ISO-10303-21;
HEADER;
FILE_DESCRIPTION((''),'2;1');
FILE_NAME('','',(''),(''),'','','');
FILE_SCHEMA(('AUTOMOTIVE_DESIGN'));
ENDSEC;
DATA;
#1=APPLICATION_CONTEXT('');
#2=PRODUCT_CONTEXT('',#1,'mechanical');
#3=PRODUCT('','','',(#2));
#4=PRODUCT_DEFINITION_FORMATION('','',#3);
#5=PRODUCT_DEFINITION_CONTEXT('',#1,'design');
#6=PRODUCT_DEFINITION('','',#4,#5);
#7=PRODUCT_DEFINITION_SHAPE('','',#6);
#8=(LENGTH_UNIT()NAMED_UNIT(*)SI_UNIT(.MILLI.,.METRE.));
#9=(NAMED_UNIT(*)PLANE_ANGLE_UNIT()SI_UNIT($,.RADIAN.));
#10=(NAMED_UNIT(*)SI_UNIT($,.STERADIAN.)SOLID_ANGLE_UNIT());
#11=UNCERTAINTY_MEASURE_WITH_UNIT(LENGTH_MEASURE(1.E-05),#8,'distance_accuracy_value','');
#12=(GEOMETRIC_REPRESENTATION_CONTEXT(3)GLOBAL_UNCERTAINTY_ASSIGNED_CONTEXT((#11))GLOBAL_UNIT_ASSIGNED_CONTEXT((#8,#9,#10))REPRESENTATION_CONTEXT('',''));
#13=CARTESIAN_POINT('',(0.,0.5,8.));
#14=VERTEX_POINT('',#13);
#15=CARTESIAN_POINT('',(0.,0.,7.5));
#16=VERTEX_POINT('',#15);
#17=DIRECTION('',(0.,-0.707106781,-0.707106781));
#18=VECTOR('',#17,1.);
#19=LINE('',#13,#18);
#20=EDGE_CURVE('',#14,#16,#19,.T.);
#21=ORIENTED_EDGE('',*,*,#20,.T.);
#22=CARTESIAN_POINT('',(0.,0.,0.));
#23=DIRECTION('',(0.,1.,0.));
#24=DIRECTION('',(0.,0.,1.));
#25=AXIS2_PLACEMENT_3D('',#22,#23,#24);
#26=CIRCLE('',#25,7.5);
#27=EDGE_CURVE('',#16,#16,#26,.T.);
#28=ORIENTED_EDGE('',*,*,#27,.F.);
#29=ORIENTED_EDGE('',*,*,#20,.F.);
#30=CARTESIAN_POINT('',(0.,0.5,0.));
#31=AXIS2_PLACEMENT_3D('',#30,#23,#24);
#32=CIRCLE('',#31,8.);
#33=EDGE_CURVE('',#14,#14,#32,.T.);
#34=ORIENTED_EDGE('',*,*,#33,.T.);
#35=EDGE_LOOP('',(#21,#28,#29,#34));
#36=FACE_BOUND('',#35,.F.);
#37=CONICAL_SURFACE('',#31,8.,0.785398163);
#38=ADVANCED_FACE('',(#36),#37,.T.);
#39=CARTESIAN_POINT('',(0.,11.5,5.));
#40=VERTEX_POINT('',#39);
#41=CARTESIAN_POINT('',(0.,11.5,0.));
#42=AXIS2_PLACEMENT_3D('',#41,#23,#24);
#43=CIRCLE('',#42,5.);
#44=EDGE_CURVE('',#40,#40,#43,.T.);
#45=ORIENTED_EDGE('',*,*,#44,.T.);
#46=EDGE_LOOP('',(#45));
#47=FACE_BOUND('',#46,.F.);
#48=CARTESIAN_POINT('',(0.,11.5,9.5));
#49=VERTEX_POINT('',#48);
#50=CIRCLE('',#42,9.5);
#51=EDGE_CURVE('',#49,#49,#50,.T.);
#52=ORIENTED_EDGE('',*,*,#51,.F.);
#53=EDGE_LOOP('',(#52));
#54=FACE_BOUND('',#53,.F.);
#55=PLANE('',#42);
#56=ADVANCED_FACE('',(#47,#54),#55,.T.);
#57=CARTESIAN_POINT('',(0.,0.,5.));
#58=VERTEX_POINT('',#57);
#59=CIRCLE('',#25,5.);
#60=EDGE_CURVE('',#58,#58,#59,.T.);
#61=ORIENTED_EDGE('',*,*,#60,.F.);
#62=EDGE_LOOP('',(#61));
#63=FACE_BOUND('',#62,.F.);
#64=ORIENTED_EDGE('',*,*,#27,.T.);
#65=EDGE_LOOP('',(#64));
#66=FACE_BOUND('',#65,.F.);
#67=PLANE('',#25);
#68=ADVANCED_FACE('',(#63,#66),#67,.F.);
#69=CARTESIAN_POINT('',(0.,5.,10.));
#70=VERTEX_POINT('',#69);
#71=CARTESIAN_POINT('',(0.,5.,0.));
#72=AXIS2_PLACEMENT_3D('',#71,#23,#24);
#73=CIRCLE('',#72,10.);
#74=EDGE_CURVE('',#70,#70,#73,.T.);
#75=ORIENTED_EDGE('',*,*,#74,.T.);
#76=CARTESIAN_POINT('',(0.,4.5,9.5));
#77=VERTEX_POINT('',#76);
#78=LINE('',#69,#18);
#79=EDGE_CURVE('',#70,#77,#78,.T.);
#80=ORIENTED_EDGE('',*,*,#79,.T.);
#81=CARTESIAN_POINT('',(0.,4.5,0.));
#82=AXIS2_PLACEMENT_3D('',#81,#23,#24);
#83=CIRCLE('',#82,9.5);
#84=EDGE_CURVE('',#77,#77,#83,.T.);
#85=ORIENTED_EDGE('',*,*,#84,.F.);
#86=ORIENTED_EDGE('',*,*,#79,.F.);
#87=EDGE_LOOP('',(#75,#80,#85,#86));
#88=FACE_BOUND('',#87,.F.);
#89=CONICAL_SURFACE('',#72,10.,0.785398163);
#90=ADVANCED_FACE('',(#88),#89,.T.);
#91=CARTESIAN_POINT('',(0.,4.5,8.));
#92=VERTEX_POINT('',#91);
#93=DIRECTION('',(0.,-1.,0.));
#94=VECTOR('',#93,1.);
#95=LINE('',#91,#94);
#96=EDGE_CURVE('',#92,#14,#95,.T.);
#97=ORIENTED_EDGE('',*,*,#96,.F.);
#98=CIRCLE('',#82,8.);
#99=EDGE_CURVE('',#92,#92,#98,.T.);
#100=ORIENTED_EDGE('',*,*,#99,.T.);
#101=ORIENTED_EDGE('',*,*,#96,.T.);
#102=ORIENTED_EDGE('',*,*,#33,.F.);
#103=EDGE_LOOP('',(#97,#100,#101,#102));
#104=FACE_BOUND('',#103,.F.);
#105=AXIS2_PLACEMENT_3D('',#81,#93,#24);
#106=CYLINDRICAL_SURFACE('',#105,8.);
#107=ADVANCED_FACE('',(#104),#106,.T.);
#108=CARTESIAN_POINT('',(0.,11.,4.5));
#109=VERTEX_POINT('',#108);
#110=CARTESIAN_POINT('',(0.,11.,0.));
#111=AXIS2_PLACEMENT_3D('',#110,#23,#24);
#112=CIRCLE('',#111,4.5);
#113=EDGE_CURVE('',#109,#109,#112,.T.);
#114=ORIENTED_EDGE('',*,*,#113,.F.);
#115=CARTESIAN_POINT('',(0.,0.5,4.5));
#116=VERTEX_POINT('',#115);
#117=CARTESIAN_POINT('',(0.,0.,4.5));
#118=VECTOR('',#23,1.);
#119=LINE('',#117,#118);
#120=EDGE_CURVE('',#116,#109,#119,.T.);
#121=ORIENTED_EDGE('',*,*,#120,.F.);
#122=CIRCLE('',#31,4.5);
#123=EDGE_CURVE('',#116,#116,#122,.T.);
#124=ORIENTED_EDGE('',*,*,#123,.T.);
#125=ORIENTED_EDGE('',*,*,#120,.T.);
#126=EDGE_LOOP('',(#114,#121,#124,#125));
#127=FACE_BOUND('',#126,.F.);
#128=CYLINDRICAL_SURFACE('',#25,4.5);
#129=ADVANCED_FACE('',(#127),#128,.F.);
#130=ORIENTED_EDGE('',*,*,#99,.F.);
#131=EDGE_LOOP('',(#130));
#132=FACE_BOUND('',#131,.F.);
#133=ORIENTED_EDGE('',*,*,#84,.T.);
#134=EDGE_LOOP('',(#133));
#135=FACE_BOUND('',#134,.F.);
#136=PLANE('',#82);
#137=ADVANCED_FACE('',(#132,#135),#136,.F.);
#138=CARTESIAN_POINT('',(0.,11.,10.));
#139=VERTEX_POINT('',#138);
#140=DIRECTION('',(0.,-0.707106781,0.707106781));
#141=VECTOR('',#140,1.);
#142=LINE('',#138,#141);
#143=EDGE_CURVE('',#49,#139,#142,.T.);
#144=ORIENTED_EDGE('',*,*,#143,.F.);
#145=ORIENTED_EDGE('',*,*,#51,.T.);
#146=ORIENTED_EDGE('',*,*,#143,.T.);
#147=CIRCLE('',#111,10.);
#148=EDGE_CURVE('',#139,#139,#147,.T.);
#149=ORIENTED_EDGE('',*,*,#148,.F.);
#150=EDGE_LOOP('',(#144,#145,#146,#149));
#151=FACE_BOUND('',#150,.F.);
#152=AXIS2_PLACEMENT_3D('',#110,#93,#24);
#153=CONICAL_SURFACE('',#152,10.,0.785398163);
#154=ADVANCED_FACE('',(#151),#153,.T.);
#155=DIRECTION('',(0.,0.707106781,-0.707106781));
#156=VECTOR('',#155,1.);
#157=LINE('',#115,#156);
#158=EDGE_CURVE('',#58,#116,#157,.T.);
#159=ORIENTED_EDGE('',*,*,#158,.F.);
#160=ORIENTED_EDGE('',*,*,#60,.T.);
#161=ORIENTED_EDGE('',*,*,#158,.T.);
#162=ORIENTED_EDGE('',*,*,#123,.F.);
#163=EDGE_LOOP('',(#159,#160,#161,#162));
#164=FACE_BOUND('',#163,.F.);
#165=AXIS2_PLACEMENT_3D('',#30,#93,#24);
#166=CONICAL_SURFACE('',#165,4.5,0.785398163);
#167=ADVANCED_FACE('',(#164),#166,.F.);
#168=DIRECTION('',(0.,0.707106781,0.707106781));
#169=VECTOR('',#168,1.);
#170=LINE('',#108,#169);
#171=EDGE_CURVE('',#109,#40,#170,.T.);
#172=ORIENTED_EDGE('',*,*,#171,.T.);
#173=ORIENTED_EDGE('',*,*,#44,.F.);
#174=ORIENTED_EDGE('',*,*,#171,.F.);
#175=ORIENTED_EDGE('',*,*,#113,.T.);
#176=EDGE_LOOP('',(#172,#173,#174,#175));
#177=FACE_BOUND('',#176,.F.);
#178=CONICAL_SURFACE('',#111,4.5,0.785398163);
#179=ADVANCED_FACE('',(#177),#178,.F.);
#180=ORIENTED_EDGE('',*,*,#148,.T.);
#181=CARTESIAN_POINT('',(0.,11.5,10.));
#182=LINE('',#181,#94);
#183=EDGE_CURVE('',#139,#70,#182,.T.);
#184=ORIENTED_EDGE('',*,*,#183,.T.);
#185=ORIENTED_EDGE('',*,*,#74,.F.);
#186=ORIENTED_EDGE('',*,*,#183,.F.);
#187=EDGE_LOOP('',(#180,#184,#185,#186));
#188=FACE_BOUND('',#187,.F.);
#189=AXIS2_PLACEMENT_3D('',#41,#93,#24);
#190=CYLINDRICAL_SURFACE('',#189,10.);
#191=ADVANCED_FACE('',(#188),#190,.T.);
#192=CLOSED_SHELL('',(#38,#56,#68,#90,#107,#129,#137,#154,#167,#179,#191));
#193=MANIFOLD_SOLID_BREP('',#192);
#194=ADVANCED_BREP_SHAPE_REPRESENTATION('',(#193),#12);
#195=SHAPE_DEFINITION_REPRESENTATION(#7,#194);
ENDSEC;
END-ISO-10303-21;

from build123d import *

# Parameters (mm, degrees)
F2_SIZE = 0.5


with BuildPart() as f1:
    # F0 (on Right) → F1 (revolve)
    with BuildSketch(Plane.YZ):
        Polygon((4.5, 8), (0, 8), (0, 4.5), (11.5, 4.5), (11.5, 10), (4.5, 10), align=None)
    revolve(axis=Axis((0, 13.707888, 0), (0, 1, 0)))

    # F2
    f2_edges = [f1.edges().sort_by_distance(p)[0] for p in [
        (0, 11.5, -4.5),
        (0, 0, -4.5),
        (0, 4.5, -10),
        (0, 11.5, -10),
        (0, 0, -8),
    ]]
    chamfer(f2_edges, length=F2_SIZE)


solid = f1.part
